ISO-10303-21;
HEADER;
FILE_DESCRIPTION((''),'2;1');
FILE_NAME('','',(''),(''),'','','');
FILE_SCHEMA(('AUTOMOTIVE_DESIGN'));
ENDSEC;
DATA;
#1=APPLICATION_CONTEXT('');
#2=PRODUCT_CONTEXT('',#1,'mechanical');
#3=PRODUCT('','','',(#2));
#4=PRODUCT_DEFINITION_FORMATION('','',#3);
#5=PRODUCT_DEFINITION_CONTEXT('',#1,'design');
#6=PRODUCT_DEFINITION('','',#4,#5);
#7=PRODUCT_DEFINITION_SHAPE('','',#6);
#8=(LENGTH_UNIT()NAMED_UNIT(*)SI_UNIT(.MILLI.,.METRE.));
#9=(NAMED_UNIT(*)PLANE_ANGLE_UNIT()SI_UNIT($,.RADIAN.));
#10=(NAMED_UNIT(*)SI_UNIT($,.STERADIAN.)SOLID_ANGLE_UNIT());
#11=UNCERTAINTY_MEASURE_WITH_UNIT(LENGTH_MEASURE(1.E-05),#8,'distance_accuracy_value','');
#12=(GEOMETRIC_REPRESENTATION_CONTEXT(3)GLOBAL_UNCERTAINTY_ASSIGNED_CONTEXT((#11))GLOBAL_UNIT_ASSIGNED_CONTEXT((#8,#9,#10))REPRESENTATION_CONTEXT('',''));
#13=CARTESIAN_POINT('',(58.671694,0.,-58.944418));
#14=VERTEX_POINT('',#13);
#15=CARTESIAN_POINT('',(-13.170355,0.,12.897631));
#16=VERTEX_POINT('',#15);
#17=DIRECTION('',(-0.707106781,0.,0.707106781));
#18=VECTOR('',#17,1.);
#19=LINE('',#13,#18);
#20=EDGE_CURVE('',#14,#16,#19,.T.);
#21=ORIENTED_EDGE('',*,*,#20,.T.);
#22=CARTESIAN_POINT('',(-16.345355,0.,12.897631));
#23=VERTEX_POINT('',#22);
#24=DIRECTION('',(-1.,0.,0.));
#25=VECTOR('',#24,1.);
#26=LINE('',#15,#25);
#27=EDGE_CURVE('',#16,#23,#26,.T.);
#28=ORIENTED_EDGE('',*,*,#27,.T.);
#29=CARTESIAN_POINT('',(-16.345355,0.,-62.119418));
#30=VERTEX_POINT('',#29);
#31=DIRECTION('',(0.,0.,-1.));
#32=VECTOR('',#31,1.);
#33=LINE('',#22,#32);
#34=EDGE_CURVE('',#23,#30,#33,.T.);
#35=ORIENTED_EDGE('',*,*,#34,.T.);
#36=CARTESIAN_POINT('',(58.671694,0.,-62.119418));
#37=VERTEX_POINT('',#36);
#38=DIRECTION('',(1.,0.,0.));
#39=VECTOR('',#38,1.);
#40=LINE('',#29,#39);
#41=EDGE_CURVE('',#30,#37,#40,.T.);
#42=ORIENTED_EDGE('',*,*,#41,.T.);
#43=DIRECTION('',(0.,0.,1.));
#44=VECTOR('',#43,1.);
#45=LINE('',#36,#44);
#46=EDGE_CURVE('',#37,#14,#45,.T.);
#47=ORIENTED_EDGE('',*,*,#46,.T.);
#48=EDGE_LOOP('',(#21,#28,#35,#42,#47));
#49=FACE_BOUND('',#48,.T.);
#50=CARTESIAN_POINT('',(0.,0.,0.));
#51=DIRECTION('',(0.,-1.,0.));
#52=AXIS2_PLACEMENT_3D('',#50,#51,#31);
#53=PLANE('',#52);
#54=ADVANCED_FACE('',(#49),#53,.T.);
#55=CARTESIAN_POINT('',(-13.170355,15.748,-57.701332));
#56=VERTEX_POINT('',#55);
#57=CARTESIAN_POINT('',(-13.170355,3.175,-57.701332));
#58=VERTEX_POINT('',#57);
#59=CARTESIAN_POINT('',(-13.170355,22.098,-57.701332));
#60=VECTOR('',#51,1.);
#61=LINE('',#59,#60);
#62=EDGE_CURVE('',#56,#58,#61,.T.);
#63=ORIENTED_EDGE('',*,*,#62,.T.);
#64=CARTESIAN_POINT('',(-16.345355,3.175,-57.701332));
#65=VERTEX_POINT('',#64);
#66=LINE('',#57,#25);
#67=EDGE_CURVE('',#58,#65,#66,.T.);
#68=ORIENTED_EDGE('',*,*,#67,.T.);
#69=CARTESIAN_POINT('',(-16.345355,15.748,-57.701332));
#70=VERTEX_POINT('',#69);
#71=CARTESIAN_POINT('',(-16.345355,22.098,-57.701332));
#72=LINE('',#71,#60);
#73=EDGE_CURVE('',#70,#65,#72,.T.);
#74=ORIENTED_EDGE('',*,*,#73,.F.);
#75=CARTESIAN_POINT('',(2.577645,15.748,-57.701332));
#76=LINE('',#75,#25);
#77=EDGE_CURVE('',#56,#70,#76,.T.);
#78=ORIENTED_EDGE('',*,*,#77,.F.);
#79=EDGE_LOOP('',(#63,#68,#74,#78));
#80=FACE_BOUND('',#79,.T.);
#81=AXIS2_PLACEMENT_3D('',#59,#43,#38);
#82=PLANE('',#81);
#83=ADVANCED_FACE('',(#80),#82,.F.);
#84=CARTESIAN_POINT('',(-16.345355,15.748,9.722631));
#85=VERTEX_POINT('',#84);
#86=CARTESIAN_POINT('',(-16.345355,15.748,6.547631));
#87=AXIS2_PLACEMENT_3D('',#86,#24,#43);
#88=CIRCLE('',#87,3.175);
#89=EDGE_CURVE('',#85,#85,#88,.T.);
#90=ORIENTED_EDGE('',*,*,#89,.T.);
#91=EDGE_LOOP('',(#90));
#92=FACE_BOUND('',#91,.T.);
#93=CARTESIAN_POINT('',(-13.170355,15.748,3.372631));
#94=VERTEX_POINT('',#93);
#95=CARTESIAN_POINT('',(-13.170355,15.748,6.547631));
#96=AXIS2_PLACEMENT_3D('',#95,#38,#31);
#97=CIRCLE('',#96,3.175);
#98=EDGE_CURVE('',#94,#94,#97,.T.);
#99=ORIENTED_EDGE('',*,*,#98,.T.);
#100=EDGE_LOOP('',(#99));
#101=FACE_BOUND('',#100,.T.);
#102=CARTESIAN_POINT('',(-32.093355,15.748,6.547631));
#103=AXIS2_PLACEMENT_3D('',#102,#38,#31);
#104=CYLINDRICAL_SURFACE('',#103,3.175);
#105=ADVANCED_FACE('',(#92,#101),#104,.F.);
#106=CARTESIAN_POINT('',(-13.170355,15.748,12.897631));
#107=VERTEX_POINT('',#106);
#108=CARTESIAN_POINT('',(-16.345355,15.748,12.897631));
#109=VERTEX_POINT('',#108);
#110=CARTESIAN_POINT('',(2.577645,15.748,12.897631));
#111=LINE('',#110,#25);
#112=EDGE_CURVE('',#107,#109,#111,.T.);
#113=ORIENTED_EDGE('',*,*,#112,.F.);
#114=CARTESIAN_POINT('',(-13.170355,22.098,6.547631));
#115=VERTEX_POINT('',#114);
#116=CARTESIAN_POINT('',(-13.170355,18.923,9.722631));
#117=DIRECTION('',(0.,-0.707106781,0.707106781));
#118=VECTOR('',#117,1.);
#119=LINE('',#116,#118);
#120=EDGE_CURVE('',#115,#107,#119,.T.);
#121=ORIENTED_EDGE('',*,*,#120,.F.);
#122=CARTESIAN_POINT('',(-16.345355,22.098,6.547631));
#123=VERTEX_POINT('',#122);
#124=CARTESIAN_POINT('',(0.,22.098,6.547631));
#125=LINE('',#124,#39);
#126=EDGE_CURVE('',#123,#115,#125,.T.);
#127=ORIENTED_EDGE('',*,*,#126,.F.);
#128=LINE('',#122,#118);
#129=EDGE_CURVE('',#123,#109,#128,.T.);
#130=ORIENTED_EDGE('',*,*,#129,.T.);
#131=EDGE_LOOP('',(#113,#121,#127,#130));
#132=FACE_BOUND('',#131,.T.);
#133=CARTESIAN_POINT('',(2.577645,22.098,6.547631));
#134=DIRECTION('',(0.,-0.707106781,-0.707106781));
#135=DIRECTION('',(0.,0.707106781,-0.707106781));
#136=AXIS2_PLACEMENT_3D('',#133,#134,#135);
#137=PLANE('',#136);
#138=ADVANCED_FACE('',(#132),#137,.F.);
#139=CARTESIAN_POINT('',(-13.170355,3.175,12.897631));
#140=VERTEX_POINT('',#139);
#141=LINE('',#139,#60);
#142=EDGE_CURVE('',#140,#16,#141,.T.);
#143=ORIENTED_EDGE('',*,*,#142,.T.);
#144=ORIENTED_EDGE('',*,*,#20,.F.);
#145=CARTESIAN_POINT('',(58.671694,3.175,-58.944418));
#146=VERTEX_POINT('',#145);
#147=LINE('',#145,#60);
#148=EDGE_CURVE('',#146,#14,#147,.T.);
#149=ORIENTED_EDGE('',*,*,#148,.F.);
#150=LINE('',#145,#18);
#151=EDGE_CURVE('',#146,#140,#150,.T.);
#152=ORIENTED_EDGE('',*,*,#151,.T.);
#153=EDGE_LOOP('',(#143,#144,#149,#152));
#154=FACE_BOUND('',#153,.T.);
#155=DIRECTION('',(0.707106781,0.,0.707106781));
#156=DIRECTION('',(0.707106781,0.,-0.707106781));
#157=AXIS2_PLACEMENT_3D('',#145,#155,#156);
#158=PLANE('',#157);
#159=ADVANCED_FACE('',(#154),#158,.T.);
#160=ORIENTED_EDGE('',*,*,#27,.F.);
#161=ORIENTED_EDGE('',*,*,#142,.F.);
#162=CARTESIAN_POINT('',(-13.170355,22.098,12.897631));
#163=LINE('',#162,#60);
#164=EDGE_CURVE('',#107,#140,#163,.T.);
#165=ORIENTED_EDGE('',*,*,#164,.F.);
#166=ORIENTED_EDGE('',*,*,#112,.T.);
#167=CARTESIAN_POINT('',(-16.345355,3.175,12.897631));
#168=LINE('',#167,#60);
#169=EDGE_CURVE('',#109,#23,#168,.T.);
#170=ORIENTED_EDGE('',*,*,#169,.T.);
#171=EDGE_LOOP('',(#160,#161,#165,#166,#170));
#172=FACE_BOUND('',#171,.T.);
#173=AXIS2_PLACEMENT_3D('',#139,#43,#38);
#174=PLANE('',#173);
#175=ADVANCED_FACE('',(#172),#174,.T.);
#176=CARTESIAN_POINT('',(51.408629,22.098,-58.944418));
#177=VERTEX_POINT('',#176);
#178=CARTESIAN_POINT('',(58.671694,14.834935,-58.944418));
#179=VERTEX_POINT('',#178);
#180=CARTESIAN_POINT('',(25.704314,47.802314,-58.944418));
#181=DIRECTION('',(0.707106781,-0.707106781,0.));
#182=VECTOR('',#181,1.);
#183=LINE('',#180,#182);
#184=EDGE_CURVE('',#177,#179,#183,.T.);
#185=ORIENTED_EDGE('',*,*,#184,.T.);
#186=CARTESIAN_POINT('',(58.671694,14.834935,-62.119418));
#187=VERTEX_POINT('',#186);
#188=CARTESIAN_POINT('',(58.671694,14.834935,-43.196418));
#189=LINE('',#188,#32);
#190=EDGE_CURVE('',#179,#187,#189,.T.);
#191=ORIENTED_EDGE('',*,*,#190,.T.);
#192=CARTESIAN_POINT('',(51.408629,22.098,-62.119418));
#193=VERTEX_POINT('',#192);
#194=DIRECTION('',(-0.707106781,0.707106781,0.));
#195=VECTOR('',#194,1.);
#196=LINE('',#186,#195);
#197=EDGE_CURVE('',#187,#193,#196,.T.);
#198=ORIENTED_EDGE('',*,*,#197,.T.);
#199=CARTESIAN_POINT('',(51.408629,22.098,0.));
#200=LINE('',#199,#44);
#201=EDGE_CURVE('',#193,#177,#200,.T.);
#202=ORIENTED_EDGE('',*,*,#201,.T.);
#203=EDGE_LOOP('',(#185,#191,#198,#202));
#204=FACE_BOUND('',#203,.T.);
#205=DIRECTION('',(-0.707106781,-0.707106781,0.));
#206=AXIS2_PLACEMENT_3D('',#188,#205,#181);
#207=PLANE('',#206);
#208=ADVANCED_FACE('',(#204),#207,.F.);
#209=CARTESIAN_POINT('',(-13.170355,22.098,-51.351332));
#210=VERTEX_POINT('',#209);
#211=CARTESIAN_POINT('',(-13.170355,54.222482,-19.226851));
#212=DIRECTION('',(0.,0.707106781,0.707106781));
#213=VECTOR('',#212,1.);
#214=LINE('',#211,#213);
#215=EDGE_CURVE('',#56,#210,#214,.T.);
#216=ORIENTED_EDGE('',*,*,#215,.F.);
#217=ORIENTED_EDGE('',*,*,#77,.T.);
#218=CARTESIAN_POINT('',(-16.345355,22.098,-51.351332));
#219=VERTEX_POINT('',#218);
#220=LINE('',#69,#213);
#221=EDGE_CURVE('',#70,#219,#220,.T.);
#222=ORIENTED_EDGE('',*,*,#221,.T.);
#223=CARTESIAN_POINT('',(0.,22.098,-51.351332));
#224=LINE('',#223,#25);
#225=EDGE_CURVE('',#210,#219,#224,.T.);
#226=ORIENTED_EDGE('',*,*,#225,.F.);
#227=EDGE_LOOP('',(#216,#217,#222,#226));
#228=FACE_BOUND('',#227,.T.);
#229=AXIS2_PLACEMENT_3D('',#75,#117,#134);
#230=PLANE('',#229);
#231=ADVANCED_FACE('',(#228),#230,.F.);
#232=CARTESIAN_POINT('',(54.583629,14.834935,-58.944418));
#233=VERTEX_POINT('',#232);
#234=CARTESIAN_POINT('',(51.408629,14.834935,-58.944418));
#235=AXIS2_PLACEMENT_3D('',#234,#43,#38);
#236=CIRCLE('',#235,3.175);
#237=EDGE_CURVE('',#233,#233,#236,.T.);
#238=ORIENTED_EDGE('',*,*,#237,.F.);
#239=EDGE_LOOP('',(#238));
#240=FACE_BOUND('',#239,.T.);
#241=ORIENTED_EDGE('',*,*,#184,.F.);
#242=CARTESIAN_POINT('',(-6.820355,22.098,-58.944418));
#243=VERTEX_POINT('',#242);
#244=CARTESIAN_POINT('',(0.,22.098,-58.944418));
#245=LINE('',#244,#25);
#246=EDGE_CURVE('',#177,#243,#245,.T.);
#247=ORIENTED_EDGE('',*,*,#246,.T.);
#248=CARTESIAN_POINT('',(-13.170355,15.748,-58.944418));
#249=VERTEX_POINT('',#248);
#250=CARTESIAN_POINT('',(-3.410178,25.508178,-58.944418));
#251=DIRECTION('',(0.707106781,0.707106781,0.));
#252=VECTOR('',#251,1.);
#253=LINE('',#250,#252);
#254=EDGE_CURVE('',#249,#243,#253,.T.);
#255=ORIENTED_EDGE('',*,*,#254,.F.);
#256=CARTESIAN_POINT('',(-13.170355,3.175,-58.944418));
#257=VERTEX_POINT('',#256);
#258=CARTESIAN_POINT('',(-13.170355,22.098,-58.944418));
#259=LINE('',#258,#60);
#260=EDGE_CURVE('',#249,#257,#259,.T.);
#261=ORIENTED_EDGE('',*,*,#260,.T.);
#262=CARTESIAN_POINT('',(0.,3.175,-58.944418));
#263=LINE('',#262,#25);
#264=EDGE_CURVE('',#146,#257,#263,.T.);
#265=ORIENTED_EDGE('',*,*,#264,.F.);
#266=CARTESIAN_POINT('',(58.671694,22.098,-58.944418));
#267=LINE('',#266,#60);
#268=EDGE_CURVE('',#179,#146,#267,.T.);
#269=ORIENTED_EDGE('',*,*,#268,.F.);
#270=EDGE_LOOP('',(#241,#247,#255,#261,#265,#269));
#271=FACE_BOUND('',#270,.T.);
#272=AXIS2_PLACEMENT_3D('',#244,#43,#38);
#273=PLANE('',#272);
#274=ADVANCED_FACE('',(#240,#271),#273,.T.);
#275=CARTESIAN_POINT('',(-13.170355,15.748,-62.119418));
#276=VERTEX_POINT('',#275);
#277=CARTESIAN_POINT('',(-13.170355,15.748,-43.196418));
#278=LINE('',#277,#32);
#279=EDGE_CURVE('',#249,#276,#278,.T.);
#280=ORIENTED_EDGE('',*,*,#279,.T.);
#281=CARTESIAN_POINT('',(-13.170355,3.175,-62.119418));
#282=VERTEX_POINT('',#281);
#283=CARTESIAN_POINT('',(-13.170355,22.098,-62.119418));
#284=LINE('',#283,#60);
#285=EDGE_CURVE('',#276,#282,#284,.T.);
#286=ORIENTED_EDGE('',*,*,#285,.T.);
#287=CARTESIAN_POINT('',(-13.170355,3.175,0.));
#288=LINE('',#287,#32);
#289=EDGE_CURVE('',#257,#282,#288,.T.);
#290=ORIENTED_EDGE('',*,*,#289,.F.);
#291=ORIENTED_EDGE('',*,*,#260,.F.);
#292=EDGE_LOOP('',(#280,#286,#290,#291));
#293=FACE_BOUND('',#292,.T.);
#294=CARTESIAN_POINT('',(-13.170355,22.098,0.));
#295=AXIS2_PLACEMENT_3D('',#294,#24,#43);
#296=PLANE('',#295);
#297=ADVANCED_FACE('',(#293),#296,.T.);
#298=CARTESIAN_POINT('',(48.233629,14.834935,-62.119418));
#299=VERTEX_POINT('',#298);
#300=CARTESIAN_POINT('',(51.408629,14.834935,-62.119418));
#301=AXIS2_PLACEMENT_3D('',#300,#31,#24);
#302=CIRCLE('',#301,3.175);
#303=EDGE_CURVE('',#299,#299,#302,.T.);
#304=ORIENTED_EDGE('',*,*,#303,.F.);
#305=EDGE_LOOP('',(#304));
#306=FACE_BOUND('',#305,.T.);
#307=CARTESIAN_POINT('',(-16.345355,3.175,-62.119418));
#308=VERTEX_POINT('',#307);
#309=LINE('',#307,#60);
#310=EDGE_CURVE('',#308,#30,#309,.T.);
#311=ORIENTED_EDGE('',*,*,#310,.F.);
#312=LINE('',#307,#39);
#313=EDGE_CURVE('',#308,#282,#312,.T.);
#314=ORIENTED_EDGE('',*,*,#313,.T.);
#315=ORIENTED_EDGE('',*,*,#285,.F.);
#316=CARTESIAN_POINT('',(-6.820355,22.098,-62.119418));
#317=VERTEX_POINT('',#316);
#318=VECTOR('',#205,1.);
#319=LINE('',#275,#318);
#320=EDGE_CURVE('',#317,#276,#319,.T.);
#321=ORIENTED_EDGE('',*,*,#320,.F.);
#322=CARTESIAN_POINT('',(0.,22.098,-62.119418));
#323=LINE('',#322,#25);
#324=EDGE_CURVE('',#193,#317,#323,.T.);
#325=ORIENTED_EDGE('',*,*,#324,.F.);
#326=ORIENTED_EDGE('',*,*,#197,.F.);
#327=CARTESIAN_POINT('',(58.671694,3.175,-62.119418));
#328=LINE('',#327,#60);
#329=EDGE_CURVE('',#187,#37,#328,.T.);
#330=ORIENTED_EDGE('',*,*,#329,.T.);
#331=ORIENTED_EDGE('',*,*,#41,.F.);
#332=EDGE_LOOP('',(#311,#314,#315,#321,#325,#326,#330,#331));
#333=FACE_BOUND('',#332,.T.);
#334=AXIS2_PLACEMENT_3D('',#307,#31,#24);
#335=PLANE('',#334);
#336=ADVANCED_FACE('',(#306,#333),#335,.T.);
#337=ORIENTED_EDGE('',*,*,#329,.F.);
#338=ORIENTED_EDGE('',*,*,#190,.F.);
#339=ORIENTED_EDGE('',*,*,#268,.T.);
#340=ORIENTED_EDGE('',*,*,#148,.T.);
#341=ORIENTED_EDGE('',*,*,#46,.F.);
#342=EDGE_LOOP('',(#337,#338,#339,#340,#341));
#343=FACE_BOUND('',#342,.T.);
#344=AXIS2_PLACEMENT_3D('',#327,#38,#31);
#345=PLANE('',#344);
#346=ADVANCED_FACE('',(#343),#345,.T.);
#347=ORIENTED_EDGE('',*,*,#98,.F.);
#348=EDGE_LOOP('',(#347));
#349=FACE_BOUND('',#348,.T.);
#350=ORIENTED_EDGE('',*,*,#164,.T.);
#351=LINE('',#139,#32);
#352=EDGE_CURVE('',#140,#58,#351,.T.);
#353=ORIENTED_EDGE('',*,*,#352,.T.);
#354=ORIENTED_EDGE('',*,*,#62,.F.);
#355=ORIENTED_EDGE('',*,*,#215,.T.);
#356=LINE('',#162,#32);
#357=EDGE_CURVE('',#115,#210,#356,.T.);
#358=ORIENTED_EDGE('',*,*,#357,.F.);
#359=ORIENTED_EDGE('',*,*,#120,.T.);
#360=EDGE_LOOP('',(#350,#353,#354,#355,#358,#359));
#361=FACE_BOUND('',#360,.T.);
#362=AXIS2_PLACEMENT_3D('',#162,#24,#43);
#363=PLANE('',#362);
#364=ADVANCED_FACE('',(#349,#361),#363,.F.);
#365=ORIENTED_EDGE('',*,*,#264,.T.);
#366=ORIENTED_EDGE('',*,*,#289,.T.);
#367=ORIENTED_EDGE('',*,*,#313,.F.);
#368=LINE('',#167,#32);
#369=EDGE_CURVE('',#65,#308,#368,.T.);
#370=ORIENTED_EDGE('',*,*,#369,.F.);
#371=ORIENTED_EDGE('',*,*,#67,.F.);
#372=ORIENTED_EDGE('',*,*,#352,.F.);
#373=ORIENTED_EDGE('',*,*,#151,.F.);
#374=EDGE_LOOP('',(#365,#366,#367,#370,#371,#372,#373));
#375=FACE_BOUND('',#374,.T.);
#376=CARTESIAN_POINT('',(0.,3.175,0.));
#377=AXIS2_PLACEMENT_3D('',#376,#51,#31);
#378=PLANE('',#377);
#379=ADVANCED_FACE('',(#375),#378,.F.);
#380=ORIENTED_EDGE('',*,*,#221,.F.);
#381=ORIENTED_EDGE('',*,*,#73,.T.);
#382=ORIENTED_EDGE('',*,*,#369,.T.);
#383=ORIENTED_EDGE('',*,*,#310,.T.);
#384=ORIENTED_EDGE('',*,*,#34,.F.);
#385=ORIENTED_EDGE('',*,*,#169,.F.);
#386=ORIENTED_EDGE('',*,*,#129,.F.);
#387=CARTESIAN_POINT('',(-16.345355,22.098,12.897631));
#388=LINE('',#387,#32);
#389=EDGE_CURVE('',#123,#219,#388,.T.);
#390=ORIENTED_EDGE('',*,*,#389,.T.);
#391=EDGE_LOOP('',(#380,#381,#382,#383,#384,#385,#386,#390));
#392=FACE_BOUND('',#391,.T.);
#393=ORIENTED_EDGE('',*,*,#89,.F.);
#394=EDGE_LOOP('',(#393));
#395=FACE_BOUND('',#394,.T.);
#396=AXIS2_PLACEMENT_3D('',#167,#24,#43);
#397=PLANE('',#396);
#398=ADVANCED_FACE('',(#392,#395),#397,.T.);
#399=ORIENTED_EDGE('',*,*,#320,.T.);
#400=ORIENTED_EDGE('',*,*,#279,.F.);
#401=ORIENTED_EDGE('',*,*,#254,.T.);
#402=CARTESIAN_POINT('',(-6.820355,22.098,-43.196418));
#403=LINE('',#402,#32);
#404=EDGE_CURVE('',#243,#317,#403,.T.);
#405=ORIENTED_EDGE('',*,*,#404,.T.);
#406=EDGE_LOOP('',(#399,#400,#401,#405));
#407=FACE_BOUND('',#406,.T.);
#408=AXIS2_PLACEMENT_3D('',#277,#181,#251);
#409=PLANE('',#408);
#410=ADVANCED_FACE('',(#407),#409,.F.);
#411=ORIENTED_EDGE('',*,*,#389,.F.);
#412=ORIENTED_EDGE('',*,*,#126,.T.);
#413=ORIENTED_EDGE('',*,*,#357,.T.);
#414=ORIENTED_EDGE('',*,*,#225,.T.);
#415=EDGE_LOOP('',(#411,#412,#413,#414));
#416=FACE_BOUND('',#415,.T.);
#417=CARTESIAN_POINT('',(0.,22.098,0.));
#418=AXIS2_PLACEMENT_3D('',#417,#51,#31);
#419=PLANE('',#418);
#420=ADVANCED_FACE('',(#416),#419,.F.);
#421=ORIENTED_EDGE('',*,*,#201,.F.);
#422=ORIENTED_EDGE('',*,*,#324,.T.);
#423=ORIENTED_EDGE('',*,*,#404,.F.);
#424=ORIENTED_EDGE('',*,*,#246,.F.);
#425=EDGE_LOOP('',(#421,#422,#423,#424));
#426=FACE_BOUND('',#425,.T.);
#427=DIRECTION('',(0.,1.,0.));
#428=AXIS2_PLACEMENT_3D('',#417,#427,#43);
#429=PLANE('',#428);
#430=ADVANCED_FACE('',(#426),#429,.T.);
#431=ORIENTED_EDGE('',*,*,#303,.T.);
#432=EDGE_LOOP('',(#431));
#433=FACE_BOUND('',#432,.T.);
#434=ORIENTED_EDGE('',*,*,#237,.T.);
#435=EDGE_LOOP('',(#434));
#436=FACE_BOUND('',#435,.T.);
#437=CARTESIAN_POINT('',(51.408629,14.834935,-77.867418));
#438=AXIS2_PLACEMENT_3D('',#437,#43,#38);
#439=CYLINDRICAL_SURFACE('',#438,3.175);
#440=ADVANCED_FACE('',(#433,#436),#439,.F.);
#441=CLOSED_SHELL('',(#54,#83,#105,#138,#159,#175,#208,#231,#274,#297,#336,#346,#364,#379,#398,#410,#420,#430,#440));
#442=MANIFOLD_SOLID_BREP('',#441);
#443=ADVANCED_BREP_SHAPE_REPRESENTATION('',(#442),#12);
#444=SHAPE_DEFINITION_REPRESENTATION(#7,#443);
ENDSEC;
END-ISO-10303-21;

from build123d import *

# Parameters (mm, degrees)
BOSS_EXTRUDE1_DEPTH = 3.175
SKETCH2_W           = 71.842048969
SKETCH2_H           = 3.175
BOSS_EXTRUDE2_DEPTH = 18.923
SKETCH3_W           = 3.175
SKETCH3_H           = 70.598963312
BOSS_EXTRUDE6_DEPTH = 18.923
CUT_EXTRUDE1_DEPTH  = 18.923
CUT_EXTRUDE2_DEPTH  = 18.923
SKETCH7_R           = 3.175
CUT_EXTRUDE3_DEPTH  = 18.923
SKETCH6_R           = 3.175
CUT_EXTRUDE4_DEPTH  = 18.923


with BuildPart() as part:
    # Sketch1 → Boss-Extrude1 (new body)
    with BuildSketch(Plane(origin=(0, 0, 0), x_dir=(1, 0, 0), z_dir=(0, 1, 0))):
        Polygon((-16.345355317, 62.119418011), (58.671693652, 62.119418011), (58.671693652, 58.944418011), (-13.170355317, -12.897630958), (-16.345355317, -12.897630958), align=None)
    extrude(amount=BOSS_EXTRUDE1_DEPTH)

    # Sketch2 → Boss-Extrude2 (add)
    with BuildSketch(Plane(origin=(0, 3.175, 0), x_dir=(1, 0, 0), z_dir=(0, 1, 0))):
        with Locations((22.750669167, 60.531918011)):
            Rectangle(SKETCH2_W, SKETCH2_H)
    extrude(amount=BOSS_EXTRUDE2_DEPTH)

    # Sketch3 → Boss-Extrude6 (add)
    with BuildSketch(Plane(origin=(0, 3.175, 0), x_dir=(1, 0, 0), z_dir=(0, 1, 0))):
        with Locations((-14.757855317, 22.401850698)):
            Rectangle(SKETCH3_W, SKETCH3_H)
    extrude(amount=BOSS_EXTRUDE6_DEPTH)

    # Sketch4 → Cut-Extrude1 (cut)
    with BuildSketch(Plane.ZY.offset(16.345355317)):
        Polygon((6.547630958, 22.098), (12.897630958, 15.748), (12.897630958, 22.098), align=None)
        Polygon((-57.701332354, 22.098), (-57.701332354, 15.748), (-51.351332354, 22.098), align=None)
    extrude(amount=-CUT_EXTRUDE1_DEPTH, mode=Mode.SUBTRACT)

    # Sketch5 → Cut-Extrude2 (cut)
    with BuildSketch(Plane(origin=(0, 0, -62.119418011), x_dir=(-1, 0, 0), z_dir=(0, 0, -1))):
        Polygon((13.170355317, 15.748), (6.820355317, 22.098), (13.170355317, 22.098), align=None)
        Polygon((-58.671693652, 14.834935127), (-51.408628779, 22.098), (-58.671693652, 22.098), align=None)
    extrude(amount=-CUT_EXTRUDE2_DEPTH, mode=Mode.SUBTRACT)

    # Sketch7 → Cut-Extrude3 (cut)
    with BuildSketch(Plane(origin=(-13.170355317, 0, 0), x_dir=(0, 0, -1), z_dir=(1, 0, 0))):
        with Locations((-6.547630958, 15.748)):
            Circle(SKETCH7_R)
    extrude(amount=-CUT_EXTRUDE3_DEPTH, mode=Mode.SUBTRACT)

    # Sketch6 → Cut-Extrude4 (cut)
    with BuildSketch(Plane.XY.offset(-58.944418011)):
        with Locations((51.408628779, 14.834935127)):
            Circle(SKETCH6_R)
    extrude(amount=-CUT_EXTRUDE4_DEPTH, mode=Mode.SUBTRACT)


solid = part.part
